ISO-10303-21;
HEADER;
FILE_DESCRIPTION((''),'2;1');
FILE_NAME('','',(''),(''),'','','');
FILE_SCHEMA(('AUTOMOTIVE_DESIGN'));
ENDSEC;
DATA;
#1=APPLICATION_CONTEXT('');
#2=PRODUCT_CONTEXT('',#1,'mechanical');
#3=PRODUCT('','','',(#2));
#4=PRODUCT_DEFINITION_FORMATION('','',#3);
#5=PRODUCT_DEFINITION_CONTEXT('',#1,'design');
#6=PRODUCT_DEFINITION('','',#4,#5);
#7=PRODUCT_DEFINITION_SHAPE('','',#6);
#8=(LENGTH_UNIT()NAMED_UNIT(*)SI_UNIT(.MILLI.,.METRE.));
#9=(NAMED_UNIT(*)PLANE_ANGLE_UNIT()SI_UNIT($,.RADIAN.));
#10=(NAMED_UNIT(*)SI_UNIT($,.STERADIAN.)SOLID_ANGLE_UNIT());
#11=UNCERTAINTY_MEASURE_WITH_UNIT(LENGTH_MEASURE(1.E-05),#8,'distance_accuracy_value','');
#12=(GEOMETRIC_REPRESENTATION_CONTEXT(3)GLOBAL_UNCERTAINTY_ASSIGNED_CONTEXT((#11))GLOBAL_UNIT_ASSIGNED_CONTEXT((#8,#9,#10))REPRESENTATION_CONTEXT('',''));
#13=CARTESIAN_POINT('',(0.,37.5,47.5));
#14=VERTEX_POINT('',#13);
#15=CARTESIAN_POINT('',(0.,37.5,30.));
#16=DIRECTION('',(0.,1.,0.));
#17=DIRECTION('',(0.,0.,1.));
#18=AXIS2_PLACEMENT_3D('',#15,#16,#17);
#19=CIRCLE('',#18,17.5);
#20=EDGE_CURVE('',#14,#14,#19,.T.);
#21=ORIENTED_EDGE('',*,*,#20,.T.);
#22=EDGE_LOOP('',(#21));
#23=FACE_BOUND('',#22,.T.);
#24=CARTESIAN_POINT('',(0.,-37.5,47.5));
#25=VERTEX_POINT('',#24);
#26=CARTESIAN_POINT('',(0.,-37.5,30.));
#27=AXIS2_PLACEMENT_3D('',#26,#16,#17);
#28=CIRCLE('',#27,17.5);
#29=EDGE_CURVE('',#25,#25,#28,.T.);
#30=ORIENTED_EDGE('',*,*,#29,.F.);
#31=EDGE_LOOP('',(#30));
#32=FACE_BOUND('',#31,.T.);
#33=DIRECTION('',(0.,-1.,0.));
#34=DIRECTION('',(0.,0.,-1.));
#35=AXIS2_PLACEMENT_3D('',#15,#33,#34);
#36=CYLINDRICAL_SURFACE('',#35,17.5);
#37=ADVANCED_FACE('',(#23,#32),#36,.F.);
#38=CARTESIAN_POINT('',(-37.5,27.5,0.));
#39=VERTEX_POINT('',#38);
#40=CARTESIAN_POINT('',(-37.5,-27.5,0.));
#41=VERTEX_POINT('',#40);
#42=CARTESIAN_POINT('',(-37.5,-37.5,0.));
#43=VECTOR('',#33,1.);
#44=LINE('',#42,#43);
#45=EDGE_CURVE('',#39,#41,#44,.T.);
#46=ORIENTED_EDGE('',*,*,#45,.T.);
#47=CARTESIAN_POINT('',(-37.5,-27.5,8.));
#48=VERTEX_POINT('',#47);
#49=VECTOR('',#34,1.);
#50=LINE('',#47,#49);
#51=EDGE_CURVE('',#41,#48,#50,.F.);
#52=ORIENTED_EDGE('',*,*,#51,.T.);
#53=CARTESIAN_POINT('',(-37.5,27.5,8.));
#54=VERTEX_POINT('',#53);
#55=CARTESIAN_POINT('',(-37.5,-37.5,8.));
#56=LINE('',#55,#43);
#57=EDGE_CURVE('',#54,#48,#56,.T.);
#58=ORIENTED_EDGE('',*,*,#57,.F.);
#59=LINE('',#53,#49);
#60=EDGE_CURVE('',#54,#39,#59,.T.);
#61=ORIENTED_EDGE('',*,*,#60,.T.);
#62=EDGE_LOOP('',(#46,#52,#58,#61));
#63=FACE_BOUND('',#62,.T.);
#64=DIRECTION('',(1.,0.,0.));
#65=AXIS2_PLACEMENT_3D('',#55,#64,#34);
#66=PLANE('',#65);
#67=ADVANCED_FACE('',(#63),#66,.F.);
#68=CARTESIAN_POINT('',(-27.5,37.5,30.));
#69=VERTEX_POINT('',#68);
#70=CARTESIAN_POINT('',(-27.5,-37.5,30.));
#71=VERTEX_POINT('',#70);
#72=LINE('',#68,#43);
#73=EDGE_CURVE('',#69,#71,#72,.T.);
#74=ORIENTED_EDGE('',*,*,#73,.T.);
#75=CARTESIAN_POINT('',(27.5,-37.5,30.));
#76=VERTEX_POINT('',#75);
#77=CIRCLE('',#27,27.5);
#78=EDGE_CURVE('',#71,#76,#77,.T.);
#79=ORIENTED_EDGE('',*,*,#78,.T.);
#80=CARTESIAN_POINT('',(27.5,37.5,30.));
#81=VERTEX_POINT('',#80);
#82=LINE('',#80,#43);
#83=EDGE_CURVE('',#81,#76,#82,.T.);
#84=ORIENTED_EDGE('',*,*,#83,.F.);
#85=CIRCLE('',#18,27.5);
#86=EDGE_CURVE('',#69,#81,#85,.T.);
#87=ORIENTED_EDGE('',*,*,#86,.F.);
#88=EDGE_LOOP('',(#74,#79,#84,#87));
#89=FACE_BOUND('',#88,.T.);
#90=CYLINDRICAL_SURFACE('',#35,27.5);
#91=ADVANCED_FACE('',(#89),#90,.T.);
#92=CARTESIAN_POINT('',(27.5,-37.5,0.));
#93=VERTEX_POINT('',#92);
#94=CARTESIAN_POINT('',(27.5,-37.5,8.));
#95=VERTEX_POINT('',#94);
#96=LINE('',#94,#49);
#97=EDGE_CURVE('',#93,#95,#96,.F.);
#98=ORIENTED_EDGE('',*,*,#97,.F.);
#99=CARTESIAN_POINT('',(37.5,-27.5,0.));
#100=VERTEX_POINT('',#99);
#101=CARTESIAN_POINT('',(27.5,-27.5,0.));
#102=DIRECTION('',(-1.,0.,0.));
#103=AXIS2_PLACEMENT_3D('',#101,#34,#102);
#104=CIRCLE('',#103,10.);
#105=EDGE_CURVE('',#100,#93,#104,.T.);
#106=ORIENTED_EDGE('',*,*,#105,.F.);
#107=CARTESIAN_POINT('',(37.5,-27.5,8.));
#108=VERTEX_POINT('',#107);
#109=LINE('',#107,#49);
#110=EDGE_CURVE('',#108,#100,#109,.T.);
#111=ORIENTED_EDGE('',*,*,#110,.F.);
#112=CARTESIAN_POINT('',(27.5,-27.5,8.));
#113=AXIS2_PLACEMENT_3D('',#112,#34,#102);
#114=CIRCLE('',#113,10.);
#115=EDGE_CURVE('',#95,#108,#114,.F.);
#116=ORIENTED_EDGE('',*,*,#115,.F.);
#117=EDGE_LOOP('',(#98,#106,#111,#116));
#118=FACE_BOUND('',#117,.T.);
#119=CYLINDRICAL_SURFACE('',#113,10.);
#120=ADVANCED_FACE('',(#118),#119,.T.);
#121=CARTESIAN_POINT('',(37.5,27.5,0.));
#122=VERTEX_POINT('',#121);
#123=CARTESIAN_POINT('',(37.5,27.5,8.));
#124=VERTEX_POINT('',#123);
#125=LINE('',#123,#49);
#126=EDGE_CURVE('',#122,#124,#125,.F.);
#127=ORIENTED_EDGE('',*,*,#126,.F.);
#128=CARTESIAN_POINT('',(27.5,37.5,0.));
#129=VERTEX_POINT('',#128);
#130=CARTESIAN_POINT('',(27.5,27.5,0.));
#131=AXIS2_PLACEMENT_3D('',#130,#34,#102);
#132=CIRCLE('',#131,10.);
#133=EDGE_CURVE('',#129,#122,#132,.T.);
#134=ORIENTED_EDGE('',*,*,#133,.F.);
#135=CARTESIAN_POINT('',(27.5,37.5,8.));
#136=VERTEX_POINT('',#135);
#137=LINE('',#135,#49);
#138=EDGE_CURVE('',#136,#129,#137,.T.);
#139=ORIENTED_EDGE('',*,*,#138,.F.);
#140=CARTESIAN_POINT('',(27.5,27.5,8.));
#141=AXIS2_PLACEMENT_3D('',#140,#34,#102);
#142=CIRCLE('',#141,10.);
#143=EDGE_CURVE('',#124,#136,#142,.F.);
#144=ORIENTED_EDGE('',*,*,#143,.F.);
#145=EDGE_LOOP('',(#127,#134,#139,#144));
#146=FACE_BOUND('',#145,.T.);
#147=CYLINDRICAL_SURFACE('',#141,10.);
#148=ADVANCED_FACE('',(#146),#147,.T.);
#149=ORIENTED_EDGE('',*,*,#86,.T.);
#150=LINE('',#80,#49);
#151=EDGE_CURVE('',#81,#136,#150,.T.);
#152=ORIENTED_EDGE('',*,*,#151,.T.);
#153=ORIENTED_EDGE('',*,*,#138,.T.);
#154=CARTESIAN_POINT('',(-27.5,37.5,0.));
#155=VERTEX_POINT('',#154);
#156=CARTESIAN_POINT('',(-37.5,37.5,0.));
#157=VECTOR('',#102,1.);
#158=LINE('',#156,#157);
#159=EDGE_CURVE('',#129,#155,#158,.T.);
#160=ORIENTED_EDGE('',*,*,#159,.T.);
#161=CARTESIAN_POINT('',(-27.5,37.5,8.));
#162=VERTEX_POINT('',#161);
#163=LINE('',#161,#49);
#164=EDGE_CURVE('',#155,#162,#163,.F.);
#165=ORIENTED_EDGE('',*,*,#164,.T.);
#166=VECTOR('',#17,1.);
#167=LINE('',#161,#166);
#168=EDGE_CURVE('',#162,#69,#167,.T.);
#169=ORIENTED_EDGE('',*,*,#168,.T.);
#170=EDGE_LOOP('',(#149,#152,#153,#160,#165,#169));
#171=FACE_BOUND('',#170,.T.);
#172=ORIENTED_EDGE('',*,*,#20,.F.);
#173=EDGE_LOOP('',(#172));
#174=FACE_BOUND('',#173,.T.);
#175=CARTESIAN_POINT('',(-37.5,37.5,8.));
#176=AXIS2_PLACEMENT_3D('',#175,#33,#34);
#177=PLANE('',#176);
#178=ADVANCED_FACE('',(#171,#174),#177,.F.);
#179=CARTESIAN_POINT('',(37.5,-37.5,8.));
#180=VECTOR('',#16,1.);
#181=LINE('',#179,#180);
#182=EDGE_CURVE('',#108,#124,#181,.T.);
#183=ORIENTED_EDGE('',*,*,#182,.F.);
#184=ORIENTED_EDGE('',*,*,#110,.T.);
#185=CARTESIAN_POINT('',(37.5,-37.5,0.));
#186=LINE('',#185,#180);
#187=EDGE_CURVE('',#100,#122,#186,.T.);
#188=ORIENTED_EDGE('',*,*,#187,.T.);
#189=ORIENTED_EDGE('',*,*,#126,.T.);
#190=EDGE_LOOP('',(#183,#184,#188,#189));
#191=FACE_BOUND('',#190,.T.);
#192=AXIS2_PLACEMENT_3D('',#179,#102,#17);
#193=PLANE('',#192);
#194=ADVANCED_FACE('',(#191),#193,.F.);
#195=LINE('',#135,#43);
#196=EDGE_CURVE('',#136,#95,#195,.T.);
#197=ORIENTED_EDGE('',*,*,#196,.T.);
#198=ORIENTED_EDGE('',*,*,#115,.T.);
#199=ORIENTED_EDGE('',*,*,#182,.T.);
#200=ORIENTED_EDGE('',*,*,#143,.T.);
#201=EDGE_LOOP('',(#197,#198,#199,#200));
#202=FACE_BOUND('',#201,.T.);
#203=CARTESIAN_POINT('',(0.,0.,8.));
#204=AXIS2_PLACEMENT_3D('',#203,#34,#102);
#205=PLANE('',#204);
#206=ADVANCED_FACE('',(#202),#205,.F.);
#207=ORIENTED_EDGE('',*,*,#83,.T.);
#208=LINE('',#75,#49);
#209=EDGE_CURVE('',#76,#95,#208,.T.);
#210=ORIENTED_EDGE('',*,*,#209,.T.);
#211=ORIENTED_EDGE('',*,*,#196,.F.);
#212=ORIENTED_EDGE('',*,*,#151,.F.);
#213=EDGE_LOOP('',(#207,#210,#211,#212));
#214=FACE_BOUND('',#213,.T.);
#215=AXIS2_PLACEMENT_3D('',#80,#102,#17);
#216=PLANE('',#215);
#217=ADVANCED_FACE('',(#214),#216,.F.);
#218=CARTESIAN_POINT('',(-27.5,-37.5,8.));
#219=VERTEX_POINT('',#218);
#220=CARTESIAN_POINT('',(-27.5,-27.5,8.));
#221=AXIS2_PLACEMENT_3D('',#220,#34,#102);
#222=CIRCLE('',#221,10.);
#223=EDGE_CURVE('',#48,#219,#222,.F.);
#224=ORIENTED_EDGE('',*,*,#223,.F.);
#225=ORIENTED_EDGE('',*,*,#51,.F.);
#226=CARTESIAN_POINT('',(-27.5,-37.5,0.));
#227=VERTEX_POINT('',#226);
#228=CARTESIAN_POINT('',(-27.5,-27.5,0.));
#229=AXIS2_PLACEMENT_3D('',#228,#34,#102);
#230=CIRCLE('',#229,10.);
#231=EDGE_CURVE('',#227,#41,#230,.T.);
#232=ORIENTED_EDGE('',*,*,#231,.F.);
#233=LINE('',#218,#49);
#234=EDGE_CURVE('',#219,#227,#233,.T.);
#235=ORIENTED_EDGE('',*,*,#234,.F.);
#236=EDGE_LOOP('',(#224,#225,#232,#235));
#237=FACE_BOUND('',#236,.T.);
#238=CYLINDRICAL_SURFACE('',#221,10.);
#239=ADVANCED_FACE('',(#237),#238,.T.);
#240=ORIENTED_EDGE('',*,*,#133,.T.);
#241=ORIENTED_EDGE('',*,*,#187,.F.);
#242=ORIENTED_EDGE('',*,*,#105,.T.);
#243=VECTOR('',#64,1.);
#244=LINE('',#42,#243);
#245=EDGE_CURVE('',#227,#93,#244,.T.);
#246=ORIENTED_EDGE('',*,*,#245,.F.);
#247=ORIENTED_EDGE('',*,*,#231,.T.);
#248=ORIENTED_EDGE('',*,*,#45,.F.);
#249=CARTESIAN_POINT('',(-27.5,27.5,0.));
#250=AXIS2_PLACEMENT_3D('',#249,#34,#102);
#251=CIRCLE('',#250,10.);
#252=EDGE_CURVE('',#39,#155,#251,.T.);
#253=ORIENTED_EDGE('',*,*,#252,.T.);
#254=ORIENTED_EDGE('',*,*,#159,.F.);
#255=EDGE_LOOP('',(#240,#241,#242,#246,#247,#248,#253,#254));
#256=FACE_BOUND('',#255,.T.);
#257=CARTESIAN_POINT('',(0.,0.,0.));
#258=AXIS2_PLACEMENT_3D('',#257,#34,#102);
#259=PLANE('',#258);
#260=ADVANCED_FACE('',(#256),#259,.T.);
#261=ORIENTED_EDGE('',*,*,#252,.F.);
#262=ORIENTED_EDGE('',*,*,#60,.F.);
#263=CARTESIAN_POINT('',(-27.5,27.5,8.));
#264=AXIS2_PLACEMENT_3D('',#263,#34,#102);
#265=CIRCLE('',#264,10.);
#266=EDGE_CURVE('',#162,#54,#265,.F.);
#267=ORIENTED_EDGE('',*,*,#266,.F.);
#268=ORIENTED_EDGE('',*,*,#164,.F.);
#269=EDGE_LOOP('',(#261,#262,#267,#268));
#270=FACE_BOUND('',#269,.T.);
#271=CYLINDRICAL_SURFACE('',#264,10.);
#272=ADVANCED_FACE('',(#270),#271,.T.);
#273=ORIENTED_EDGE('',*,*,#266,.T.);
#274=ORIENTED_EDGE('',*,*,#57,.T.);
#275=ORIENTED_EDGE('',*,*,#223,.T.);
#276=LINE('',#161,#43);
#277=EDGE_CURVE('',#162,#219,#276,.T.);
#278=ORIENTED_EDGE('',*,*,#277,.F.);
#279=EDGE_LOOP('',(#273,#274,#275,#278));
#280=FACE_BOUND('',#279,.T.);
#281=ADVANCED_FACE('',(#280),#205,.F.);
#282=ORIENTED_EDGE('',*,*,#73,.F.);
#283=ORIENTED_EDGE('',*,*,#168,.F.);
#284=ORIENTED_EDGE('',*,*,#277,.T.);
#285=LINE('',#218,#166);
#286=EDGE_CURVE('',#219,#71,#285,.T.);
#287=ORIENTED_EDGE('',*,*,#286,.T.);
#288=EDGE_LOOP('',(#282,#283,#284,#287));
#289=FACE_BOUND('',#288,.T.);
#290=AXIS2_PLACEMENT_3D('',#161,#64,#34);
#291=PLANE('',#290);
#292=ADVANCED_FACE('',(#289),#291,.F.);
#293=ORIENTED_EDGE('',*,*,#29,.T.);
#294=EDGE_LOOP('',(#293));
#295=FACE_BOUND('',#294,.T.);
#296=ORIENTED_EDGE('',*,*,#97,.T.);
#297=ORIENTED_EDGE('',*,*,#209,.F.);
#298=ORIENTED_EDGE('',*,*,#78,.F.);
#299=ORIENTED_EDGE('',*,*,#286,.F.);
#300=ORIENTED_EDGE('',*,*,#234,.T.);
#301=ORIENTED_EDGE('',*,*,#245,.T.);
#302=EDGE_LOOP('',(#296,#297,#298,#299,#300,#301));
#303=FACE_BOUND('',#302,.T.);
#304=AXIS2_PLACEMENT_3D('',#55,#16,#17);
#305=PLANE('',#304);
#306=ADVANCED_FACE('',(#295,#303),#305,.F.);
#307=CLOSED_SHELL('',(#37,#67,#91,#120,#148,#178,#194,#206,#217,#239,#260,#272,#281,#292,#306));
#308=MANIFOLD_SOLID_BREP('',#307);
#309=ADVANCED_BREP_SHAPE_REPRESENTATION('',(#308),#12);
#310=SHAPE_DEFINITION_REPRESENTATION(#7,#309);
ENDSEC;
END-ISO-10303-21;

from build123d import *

# Parameters (mm, degrees)
SKETCH1_W               = 75
SKETCH1_H               = 75
BOSS_EXTRUDE1_DEPTH     = 8
FILLET1_R               = 10
SKETCH2_R               = 17.5
BOSS_EXTRUDE2_DEPTH     = 37.5
SKETCH3_R               = 17
BOSS_EXTRUDE3_DEPTH     = 200
SKETCH4_R               = 22
SKETCH4_R_2             = 17
BOSS_EXTRUDE4_DEPTH     = 10
BOSS_EXTRUDE5_DEPTH     = 50
SKETCH6_R               = 17.5
CUT_EXTRUDE1_DEPTH      = 25
SKETCH7_R               = 17.5
BOSS_EXTRUDE6_DEPTH     = 100
CUT_EXTRUDE2_DEPTH      = 235.438691346
CUT_EXTRUDE2_DEPTH_BACK = 235.438691346
SKETCH8_R               = 5.5
CUT_EXTRUDE3_DEPTH      = 258.012159245
CUT_EXTRUDE3_DEPTH_BACK = 258.012159245
SKETCH10_R              = 14
CHAMFER1_SIZE           = 5
CUT_EXTRUDE4_DEPTH      = 12
FILLET3_R               = 3
FILLET2_R               = 3


with BuildPart() as part:
    # Sketch1 → Boss-Extrude1 (new body)
    with BuildSketch(Plane.XY):
        Rectangle(SKETCH1_W, SKETCH1_H)
    extrude(amount=BOSS_EXTRUDE1_DEPTH)

    # Fillet1
    fillet1_edges = [part.edges().sort_by_distance(p)[0] for p in [
        (37.5, -37.5, 4),
        (-37.5, -37.5, 4),
        (-37.5, 37.5, 4),
        (37.5, 37.5, 4),
    ]]
    fillet(fillet1_edges, radius=FILLET1_R)

    # Sketch2 → Boss-Extrude2 (add, symmetric)
    with BuildSketch(Plane(origin=(0, 0, 0), x_dir=(1, 0, 0), z_dir=(0, 1, 0))):
        with BuildLine():
            Line((-27.5, -8), (-27.5, -30))
            ThreePointArc((-27.5, -30), (0, -57.5), (27.5, -30))
            Line((27.5, -30), (27.5, -8))
            Line((27.5, -8), (-27.5, -8))
        make_face()
        with Locations(Location((0, -30, 0), (0, 0, 270))):
            Circle(SKETCH2_R, mode=Mode.SUBTRACT)
    extrude(amount=BOSS_EXTRUDE2_DEPTH, both=True)


with BuildPart() as body_2:
    # Sketch3 → Boss-Extrude3 (new body)
    with BuildSketch(Plane(origin=(0, 37.5, 0), x_dir=(1, 0, 0), z_dir=(0, 1, 0))):
        with Locations(Location((0, -30, 0), (0, 0, 270))):
            Circle(SKETCH3_R)
    extrude(amount=-BOSS_EXTRUDE3_DEPTH)

    # Sketch4 → Boss-Extrude4 (add)
    with BuildSketch(Plane.XZ.offset(37.5)):
        with Locations(Location((0, 30, 0), (0, 0, 270))):
            Circle(SKETCH4_R)
        with Locations(Location((0, 30, 0), (0, 0, 90))):
            Circle(SKETCH4_R_2, mode=Mode.SUBTRACT)
    extrude(amount=BOSS_EXTRUDE4_DEPTH)


with BuildPart() as body_3:
    # Sketch5 → Boss-Extrude5 (new body)
    with BuildSketch(Plane.XZ.offset(162.5)):
        with BuildLine():
            Line((-8, 15), (-8, 5))
            Line((-8, 5), (-12.5, 5))
            Line((-12.5, 5), (-25, 17.5))
            Line((-25, 17.5), (-25, 82))
            Line((-25, 82), (0, 82))
            Line((0, 82), (0, 47))
            ThreePointArc((0, 47), (-16.492422502, 34.123105626), (-8, 15))
        make_face()
    extrude(amount=-BOSS_EXTRUDE5_DEPTH)

    # Mirror1: body 3 across plane


with BuildPart() as body_3_1:
    add(body_3.part)
    add(body_3.part.mirror(Plane(origin=(0, -112.5, 82), x_dir=(0, 0, 1), z_dir=(1, 0, 0))))

    # Sketch6 → Cut-Extrude1 (cut)
    with BuildSketch(Plane.XY.offset(82)):
        with Locations((0, -137.5)):
            Circle(SKETCH6_R)
    extrude(amount=-CUT_EXTRUDE1_DEPTH, mode=Mode.SUBTRACT)


with BuildPart() as body_4:
    # Sketch7 → Boss-Extrude6 (new body)
    with BuildSketch(Plane.XY.offset(57)):
        with Locations((0, -137.5)):
            Circle(SKETCH7_R)
    extrude(amount=BOSS_EXTRUDE6_DEPTH)


with BuildPart() as cut_extrude2_tool:
    # Sketch8 → Cut-Extrude2 (new, two sides: drawn at the far end of the back side and taken through both)
    with BuildSketch(Plane(origin=(25, 0, 0), x_dir=(0, 0, -1), z_dir=(1, 0, 0)).offset(-CUT_EXTRUDE2_DEPTH_BACK)):
        with Locations((-30, -137.5)):
            Circle(SKETCH8_R)
    extrude(amount=CUT_EXTRUDE2_DEPTH + CUT_EXTRUDE2_DEPTH_BACK)


with BuildPart() as body_2_1:
    add(body_2.part)

    # Cut-Extrude2: cut by cut_extrude2_tool
    add(cut_extrude2_tool.part, mode=Mode.SUBTRACT)

    # Sketch10 → Cut-Extrude3 (cut, two sides: drawn at the far end of the back side and taken through both)
    with BuildSketch(Plane.XZ.offset(162.5).offset(-CUT_EXTRUDE3_DEPTH_BACK)):
        with Locations(Location((0, 30, 0), (0, 0, 270))):
            Circle(SKETCH10_R)
    extrude(amount=CUT_EXTRUDE3_DEPTH + CUT_EXTRUDE3_DEPTH_BACK, mode=Mode.SUBTRACT)


with BuildPart() as body_3_2:
    add(body_3_1.part)

    # Cut-Extrude2: cut by cut_extrude2_tool
    add(cut_extrude2_tool.part, mode=Mode.SUBTRACT)

    # Chamfer1
    chamfer1_edges = [body_3_2.edges().sort_by_distance(p)[0] for p in [
        (25, -137.5, 35.5),
    ]]
    chamfer(chamfer1_edges, length=CHAMFER1_SIZE)

    # Sketch11 → Cut-Extrude4 (cut)
    with BuildSketch(Plane.ZY.offset(25)):
        Polygon((39, -142.696152423), (39, -132.303847577), (30, -127.107695155), (21, -132.303847577), (21, -142.696152423), (30, -147.892304845), align=None)
    extrude(amount=-CUT_EXTRUDE4_DEPTH, mode=Mode.SUBTRACT)

    # Fillet3
    fillet3_edges = [body_3_2.edges().sort_by_distance(p)[0] for p in [
        (-8, -137.5, 5),
        (-12.5, -137.5, 5),
        (-25, -137.5, 17.5),
        (8, -137.5, 5),
        (12.5, -137.5, 5),
        (25, -137.5, 17.5),
    ]]
    fillet(fillet3_edges, radius=FILLET3_R)

    # Fillet2
    fillet2_edges = [body_3_2.edges().sort_by_distance(p)[0] for p in [
        (12.40540961, -162.5, 5.228361402),
        (-12.40540961, -162.5, 5.228361402),
        (-11.128679656, -112.5, 5),
        (-8, -112.5, 11.5),
        (18.75, -112.5, 11.25),
        (11.128679656, -112.5, 5),
        (8, -112.5, 11.5),
        (-24.771638598, -112.5, 17.59459039),
        (24.771638598, -112.5, 17.59459039),
        (-8.878679656, -112.5, 5.878679656),
        (8.878679656, -112.5, 5.878679656),
        (12.40540961, -112.5, 5.228361402),
        (-12.40540961, -112.5, 5.228361402),
        (-25, -112.5, 50.371320344),
        (25, -162.5, 50.371320344),
        (25, -112.5, 50.371320344),
        (-25, -162.5, 50.371320344),
        (-18.75, -162.5, 11.25),
        (-18.75, -112.5, 11.25),
        (8, -162.5, 11.5),
        (11.128679656, -162.5, 5),
        (18.75, -162.5, 11.25),
        (-11.128679656, -162.5, 5),
        (-8, -162.5, 11.5),
        (-24.771638598, -162.5, 17.59459039),
        (24.771638598, -162.5, 17.59459039),
        (-8.878679656, -162.5, 5.878679656),
        (8.878679656, -162.5, 5.878679656),
    ]]
    fillet(fillet2_edges, radius=FILLET2_R)


solid = part.part
